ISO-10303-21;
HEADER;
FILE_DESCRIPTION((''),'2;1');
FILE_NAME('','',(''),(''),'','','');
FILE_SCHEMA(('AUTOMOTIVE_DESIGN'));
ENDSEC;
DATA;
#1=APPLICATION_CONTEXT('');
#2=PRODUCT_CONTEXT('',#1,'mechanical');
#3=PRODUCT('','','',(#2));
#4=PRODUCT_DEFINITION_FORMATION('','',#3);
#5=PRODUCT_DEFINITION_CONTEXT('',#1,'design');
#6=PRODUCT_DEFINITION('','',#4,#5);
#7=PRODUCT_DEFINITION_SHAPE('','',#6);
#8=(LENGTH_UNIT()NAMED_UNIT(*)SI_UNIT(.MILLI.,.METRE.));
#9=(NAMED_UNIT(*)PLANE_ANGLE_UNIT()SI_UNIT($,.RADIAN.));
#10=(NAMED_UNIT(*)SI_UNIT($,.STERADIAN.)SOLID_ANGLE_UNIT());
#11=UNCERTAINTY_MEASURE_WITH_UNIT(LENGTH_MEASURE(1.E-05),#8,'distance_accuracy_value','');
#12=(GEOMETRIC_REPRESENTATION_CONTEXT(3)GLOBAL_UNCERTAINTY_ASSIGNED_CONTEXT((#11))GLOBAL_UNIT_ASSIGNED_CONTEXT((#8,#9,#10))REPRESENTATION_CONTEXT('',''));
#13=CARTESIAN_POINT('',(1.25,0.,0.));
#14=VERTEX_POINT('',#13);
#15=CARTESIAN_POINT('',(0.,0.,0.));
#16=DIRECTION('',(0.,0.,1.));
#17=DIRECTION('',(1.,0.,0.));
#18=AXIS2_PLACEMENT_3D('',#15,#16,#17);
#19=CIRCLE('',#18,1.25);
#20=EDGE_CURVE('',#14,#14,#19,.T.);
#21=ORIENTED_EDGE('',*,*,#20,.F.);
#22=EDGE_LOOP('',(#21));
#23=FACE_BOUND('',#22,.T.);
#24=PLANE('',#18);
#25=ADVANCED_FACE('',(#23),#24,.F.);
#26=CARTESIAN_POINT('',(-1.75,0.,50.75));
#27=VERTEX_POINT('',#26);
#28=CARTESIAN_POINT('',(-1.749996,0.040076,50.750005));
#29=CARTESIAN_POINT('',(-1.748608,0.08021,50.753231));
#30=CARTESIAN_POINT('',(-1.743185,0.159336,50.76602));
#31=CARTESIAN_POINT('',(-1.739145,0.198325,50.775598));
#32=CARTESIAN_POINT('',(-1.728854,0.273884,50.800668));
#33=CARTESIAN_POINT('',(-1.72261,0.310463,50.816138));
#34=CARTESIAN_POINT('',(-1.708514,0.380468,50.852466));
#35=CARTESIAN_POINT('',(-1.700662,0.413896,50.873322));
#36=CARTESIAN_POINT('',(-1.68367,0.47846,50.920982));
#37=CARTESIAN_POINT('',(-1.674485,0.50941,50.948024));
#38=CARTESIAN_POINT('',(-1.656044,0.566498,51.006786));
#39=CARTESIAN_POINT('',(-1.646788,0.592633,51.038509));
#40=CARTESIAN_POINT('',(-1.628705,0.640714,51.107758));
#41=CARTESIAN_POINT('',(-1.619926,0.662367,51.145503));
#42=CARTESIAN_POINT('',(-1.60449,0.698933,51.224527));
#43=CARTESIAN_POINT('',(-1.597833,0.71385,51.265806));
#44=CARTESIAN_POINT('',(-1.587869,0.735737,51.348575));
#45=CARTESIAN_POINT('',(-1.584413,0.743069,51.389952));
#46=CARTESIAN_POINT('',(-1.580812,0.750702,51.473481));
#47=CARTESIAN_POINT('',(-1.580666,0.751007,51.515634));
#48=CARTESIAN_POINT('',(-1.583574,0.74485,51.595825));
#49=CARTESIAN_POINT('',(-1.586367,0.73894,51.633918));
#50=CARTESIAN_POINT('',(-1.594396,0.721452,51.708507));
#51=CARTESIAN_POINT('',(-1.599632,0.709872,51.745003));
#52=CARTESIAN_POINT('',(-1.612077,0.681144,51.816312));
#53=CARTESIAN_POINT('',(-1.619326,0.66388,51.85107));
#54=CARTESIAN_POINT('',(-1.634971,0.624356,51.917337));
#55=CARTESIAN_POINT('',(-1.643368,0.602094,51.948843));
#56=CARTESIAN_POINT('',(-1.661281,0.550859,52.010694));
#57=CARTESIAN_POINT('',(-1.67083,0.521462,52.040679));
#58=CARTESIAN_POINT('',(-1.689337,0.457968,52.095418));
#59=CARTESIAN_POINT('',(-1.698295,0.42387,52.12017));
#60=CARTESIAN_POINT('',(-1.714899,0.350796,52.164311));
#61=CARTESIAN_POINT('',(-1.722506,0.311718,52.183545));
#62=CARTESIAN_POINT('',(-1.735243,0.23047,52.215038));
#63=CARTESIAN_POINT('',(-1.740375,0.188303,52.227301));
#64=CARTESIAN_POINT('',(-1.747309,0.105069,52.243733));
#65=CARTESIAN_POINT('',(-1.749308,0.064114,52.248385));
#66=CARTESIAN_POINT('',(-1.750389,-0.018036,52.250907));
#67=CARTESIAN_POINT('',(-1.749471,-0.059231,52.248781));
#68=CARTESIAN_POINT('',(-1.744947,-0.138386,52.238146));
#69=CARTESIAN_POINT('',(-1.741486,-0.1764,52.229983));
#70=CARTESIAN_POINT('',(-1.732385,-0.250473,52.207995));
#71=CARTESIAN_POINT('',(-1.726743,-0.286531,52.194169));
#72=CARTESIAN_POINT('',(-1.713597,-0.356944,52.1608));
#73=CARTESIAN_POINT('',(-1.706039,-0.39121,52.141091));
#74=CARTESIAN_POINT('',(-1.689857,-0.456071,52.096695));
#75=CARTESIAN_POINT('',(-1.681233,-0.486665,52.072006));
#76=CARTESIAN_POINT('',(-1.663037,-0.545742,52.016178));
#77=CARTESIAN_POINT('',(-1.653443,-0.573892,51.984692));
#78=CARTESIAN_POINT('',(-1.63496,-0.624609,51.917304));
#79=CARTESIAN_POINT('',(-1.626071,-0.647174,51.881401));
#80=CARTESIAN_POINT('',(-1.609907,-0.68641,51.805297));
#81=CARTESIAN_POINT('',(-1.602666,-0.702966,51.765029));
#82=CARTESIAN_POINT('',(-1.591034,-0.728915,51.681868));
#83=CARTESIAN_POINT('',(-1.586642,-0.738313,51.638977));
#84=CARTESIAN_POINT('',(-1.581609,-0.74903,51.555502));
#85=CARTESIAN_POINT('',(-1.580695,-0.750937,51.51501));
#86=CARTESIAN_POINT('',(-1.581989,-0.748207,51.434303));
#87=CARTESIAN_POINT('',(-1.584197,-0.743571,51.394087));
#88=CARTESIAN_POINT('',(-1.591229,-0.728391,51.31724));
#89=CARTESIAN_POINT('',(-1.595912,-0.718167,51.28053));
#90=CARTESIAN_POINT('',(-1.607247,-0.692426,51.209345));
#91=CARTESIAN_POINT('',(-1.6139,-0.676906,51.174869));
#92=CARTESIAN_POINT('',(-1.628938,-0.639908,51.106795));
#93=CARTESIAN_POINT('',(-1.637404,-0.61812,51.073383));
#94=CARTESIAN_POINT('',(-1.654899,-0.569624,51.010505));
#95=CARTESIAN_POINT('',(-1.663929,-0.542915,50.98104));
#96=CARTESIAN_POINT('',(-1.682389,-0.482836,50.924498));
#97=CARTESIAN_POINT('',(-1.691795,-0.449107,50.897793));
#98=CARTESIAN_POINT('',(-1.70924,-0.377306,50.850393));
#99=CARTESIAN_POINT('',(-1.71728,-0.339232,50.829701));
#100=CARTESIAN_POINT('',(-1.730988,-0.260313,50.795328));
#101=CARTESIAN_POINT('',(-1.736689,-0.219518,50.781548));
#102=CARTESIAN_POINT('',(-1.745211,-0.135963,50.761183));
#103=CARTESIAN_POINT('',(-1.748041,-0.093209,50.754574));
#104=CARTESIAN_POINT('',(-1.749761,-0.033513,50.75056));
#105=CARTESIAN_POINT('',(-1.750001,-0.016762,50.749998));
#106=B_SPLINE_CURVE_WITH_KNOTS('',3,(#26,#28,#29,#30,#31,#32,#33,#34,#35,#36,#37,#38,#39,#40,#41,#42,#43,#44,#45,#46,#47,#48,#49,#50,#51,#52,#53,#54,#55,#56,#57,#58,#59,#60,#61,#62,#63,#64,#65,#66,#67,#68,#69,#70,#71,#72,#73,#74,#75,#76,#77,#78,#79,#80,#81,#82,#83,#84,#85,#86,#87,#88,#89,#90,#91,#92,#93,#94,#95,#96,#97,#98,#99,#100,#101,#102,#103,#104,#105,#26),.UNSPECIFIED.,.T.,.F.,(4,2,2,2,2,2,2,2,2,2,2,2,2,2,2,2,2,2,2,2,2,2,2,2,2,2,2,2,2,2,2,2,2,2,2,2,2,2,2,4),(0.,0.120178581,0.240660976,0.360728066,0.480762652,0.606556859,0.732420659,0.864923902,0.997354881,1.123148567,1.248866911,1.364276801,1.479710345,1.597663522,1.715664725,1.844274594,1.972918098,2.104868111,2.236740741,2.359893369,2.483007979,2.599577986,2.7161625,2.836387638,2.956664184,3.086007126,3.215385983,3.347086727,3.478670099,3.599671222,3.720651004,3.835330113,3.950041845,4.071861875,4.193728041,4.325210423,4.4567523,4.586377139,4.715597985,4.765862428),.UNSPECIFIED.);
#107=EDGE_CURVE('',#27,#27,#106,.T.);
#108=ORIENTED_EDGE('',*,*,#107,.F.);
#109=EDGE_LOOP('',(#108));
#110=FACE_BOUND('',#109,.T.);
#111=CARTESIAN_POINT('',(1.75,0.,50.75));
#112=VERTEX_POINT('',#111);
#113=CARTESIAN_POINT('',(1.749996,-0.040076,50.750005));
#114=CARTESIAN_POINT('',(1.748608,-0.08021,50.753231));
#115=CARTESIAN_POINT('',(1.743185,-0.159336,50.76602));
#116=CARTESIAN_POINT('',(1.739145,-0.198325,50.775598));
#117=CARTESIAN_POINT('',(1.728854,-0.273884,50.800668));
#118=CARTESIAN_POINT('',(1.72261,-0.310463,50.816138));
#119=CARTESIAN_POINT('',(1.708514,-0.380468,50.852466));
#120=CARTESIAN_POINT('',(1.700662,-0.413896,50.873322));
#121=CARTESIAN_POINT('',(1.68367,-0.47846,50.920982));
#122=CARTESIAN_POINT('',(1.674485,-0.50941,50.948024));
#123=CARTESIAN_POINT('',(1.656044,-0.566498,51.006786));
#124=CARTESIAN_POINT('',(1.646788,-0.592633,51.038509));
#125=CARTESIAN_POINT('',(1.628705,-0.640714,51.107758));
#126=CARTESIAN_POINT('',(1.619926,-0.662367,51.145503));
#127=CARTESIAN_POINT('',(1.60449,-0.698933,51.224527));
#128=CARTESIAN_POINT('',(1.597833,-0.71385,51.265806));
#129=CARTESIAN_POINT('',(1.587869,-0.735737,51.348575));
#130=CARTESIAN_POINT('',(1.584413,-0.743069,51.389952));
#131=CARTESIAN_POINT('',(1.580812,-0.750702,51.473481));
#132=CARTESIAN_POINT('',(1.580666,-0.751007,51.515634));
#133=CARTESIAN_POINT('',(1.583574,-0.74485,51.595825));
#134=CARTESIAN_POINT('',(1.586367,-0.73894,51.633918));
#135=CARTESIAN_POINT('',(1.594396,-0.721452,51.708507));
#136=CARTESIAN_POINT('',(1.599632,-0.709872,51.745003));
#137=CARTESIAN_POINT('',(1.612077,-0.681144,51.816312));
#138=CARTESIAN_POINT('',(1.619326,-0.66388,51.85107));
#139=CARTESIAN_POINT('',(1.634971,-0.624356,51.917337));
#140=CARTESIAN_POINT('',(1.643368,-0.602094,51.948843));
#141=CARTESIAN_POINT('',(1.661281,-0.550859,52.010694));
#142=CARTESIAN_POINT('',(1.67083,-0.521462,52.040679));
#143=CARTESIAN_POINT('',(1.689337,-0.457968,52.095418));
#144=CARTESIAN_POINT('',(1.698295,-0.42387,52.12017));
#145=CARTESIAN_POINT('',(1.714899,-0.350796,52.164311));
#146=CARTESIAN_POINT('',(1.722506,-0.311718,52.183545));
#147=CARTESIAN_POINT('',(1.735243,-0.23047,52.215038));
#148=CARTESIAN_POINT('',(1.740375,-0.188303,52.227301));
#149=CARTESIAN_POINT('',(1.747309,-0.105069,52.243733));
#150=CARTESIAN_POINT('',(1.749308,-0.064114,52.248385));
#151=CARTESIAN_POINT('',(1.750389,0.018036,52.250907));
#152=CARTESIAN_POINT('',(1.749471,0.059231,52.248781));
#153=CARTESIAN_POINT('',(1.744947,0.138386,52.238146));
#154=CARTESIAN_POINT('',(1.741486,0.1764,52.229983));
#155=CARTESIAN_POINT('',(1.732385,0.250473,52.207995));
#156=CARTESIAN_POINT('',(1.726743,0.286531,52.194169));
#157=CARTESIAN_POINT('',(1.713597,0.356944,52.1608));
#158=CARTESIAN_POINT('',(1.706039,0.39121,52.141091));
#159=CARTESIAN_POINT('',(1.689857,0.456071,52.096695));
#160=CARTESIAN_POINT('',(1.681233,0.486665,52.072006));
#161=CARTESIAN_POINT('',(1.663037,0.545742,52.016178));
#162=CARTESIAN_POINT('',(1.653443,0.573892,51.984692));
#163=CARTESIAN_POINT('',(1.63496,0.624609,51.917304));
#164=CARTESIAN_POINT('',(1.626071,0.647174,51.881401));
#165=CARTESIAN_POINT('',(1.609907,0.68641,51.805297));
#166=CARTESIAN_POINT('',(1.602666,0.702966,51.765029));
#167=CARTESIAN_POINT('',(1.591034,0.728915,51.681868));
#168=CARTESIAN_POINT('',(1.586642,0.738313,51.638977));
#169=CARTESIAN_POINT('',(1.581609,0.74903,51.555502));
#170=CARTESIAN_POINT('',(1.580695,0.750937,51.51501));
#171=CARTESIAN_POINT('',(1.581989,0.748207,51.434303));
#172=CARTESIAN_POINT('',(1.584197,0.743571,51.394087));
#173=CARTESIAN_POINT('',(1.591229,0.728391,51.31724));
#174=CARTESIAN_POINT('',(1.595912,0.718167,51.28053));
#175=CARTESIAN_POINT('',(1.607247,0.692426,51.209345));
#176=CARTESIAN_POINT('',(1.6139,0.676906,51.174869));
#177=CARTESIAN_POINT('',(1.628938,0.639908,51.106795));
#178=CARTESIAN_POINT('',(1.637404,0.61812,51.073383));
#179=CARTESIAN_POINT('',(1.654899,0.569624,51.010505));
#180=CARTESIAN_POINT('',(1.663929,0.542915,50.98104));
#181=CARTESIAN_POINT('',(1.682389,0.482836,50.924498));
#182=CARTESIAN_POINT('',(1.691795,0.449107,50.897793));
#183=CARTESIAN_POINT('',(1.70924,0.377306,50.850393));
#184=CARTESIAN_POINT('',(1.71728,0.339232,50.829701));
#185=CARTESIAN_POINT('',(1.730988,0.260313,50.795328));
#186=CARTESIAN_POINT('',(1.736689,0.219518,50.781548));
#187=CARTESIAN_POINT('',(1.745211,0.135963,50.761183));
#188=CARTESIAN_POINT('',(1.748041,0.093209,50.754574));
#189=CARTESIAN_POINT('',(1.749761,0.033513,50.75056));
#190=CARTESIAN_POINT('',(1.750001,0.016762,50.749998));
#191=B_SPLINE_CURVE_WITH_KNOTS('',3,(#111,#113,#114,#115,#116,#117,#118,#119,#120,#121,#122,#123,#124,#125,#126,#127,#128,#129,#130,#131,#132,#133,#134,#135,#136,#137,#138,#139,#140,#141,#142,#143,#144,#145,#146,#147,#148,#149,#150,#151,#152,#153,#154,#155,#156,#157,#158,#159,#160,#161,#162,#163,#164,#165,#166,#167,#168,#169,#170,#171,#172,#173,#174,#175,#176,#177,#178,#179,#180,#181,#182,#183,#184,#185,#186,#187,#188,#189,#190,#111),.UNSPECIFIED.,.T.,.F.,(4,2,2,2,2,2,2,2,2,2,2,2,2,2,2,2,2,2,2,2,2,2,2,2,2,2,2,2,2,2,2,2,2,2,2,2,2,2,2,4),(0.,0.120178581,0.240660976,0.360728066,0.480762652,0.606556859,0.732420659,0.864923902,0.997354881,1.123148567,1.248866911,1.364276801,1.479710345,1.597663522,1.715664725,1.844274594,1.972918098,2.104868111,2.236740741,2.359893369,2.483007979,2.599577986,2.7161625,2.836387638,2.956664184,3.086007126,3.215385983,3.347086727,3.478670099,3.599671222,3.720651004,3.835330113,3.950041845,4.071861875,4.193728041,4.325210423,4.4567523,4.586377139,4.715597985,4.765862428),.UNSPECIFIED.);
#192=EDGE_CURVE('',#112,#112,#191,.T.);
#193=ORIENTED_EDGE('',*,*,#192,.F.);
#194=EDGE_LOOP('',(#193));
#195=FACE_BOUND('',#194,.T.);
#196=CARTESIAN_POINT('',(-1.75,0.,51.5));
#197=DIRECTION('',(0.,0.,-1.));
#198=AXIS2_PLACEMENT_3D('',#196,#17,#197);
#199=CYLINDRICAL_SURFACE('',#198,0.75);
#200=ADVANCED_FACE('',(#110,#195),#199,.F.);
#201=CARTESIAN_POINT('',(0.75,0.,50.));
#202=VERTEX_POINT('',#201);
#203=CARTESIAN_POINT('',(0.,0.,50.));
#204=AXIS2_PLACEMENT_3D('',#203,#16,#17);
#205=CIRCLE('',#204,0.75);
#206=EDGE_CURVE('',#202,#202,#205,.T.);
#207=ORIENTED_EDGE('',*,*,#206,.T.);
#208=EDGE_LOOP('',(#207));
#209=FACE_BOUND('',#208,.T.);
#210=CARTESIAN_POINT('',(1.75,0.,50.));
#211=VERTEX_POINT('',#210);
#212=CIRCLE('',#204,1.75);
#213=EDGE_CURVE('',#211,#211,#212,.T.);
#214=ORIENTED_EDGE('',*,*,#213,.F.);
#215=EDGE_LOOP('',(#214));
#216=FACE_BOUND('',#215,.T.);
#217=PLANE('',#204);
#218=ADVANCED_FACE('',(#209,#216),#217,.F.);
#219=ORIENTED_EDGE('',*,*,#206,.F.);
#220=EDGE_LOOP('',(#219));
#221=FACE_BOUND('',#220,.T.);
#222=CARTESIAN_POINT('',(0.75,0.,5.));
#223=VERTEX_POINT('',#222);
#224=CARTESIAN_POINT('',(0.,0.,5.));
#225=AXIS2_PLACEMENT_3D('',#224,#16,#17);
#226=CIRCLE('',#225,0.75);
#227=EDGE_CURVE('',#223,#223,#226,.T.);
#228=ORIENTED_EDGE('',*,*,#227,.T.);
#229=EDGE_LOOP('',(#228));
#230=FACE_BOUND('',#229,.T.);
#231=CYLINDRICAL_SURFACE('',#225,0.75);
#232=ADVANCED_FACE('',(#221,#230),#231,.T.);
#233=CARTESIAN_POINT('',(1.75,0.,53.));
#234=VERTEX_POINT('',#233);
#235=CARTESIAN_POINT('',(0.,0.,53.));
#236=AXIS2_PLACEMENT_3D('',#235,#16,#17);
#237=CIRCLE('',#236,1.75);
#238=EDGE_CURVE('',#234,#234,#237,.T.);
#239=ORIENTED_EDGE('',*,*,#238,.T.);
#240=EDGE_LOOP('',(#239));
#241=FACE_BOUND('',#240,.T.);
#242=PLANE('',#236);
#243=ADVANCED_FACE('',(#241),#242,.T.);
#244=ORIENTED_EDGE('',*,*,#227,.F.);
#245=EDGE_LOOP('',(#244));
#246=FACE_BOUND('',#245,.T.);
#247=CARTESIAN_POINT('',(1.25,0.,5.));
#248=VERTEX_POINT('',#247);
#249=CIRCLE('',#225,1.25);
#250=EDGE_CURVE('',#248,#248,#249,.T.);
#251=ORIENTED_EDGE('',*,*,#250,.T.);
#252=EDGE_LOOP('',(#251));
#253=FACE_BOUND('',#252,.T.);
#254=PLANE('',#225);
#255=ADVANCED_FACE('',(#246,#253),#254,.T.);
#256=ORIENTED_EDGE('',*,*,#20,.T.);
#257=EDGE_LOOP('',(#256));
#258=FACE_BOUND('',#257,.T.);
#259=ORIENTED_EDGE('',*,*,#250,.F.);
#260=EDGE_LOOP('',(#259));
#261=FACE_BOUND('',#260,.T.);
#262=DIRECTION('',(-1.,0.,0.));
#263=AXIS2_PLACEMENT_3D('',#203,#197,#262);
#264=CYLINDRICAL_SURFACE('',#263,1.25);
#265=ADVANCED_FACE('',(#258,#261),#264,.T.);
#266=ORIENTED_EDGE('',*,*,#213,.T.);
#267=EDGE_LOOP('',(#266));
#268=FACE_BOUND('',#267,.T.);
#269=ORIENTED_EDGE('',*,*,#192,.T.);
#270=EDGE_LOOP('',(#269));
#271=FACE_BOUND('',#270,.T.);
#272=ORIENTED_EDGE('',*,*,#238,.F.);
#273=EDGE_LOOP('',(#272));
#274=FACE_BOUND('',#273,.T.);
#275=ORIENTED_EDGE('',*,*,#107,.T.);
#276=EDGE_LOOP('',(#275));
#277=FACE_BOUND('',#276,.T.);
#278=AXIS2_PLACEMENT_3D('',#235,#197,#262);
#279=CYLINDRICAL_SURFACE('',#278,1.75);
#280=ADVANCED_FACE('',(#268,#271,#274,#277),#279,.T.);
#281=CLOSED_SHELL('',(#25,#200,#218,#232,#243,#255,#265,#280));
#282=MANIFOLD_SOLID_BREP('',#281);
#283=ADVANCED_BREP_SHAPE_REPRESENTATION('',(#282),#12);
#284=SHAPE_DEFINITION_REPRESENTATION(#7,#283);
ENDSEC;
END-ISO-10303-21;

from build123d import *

# Parameters (mm, degrees)
IZIM1_R                     = 1.25
Y_KSEKLIK_EKSTR_ZYON1_DEPTH = 50
IZIM2_R                     = 1.25
IZIM2_R_2                   = 0.75
KES_EKSTR_ZYON1_DEPTH       = 45
IZIM3_R                     = 1.75
Y_KSEKLIK_EKSTR_ZYON2_DEPTH = 3
IZIM4_R                     = 0.75
KES_EKSTR_ZYON2_DEPTH       = 4.5


with BuildPart() as part:
    # Çizim1 → Yükseklik-Ekstrüzyon1 (new body)
    with BuildSketch(Plane.XY):
        Circle(IZIM1_R)
    extrude(amount=Y_KSEKLIK_EKSTR_ZYON1_DEPTH)

    # Çizim2 → Kes-Ekstrüzyon1 (cut)
    with BuildSketch(Plane.XY.offset(50)):
        Circle(IZIM2_R)
        Circle(IZIM2_R_2, mode=Mode.SUBTRACT)
    extrude(amount=-KES_EKSTR_ZYON1_DEPTH, mode=Mode.SUBTRACT)

    # Çizim3 → Yükseklik-Ekstrüzyon2 (add)
    with BuildSketch(Plane.XY.offset(50)):
        Circle(IZIM3_R)
    extrude(amount=Y_KSEKLIK_EKSTR_ZYON2_DEPTH)

    # Çizim4 → Kes-Ekstrüzyon2 (cut, through all)
    with BuildSketch(Plane(origin=(1.75, 0, 0), x_dir=(0, 0, -1), z_dir=(1, 0, 0))):
        with Locations((-51.5, 0)):
            Circle(IZIM4_R)
    extrude(amount=-KES_EKSTR_ZYON2_DEPTH, mode=Mode.SUBTRACT)


solid = part.part
